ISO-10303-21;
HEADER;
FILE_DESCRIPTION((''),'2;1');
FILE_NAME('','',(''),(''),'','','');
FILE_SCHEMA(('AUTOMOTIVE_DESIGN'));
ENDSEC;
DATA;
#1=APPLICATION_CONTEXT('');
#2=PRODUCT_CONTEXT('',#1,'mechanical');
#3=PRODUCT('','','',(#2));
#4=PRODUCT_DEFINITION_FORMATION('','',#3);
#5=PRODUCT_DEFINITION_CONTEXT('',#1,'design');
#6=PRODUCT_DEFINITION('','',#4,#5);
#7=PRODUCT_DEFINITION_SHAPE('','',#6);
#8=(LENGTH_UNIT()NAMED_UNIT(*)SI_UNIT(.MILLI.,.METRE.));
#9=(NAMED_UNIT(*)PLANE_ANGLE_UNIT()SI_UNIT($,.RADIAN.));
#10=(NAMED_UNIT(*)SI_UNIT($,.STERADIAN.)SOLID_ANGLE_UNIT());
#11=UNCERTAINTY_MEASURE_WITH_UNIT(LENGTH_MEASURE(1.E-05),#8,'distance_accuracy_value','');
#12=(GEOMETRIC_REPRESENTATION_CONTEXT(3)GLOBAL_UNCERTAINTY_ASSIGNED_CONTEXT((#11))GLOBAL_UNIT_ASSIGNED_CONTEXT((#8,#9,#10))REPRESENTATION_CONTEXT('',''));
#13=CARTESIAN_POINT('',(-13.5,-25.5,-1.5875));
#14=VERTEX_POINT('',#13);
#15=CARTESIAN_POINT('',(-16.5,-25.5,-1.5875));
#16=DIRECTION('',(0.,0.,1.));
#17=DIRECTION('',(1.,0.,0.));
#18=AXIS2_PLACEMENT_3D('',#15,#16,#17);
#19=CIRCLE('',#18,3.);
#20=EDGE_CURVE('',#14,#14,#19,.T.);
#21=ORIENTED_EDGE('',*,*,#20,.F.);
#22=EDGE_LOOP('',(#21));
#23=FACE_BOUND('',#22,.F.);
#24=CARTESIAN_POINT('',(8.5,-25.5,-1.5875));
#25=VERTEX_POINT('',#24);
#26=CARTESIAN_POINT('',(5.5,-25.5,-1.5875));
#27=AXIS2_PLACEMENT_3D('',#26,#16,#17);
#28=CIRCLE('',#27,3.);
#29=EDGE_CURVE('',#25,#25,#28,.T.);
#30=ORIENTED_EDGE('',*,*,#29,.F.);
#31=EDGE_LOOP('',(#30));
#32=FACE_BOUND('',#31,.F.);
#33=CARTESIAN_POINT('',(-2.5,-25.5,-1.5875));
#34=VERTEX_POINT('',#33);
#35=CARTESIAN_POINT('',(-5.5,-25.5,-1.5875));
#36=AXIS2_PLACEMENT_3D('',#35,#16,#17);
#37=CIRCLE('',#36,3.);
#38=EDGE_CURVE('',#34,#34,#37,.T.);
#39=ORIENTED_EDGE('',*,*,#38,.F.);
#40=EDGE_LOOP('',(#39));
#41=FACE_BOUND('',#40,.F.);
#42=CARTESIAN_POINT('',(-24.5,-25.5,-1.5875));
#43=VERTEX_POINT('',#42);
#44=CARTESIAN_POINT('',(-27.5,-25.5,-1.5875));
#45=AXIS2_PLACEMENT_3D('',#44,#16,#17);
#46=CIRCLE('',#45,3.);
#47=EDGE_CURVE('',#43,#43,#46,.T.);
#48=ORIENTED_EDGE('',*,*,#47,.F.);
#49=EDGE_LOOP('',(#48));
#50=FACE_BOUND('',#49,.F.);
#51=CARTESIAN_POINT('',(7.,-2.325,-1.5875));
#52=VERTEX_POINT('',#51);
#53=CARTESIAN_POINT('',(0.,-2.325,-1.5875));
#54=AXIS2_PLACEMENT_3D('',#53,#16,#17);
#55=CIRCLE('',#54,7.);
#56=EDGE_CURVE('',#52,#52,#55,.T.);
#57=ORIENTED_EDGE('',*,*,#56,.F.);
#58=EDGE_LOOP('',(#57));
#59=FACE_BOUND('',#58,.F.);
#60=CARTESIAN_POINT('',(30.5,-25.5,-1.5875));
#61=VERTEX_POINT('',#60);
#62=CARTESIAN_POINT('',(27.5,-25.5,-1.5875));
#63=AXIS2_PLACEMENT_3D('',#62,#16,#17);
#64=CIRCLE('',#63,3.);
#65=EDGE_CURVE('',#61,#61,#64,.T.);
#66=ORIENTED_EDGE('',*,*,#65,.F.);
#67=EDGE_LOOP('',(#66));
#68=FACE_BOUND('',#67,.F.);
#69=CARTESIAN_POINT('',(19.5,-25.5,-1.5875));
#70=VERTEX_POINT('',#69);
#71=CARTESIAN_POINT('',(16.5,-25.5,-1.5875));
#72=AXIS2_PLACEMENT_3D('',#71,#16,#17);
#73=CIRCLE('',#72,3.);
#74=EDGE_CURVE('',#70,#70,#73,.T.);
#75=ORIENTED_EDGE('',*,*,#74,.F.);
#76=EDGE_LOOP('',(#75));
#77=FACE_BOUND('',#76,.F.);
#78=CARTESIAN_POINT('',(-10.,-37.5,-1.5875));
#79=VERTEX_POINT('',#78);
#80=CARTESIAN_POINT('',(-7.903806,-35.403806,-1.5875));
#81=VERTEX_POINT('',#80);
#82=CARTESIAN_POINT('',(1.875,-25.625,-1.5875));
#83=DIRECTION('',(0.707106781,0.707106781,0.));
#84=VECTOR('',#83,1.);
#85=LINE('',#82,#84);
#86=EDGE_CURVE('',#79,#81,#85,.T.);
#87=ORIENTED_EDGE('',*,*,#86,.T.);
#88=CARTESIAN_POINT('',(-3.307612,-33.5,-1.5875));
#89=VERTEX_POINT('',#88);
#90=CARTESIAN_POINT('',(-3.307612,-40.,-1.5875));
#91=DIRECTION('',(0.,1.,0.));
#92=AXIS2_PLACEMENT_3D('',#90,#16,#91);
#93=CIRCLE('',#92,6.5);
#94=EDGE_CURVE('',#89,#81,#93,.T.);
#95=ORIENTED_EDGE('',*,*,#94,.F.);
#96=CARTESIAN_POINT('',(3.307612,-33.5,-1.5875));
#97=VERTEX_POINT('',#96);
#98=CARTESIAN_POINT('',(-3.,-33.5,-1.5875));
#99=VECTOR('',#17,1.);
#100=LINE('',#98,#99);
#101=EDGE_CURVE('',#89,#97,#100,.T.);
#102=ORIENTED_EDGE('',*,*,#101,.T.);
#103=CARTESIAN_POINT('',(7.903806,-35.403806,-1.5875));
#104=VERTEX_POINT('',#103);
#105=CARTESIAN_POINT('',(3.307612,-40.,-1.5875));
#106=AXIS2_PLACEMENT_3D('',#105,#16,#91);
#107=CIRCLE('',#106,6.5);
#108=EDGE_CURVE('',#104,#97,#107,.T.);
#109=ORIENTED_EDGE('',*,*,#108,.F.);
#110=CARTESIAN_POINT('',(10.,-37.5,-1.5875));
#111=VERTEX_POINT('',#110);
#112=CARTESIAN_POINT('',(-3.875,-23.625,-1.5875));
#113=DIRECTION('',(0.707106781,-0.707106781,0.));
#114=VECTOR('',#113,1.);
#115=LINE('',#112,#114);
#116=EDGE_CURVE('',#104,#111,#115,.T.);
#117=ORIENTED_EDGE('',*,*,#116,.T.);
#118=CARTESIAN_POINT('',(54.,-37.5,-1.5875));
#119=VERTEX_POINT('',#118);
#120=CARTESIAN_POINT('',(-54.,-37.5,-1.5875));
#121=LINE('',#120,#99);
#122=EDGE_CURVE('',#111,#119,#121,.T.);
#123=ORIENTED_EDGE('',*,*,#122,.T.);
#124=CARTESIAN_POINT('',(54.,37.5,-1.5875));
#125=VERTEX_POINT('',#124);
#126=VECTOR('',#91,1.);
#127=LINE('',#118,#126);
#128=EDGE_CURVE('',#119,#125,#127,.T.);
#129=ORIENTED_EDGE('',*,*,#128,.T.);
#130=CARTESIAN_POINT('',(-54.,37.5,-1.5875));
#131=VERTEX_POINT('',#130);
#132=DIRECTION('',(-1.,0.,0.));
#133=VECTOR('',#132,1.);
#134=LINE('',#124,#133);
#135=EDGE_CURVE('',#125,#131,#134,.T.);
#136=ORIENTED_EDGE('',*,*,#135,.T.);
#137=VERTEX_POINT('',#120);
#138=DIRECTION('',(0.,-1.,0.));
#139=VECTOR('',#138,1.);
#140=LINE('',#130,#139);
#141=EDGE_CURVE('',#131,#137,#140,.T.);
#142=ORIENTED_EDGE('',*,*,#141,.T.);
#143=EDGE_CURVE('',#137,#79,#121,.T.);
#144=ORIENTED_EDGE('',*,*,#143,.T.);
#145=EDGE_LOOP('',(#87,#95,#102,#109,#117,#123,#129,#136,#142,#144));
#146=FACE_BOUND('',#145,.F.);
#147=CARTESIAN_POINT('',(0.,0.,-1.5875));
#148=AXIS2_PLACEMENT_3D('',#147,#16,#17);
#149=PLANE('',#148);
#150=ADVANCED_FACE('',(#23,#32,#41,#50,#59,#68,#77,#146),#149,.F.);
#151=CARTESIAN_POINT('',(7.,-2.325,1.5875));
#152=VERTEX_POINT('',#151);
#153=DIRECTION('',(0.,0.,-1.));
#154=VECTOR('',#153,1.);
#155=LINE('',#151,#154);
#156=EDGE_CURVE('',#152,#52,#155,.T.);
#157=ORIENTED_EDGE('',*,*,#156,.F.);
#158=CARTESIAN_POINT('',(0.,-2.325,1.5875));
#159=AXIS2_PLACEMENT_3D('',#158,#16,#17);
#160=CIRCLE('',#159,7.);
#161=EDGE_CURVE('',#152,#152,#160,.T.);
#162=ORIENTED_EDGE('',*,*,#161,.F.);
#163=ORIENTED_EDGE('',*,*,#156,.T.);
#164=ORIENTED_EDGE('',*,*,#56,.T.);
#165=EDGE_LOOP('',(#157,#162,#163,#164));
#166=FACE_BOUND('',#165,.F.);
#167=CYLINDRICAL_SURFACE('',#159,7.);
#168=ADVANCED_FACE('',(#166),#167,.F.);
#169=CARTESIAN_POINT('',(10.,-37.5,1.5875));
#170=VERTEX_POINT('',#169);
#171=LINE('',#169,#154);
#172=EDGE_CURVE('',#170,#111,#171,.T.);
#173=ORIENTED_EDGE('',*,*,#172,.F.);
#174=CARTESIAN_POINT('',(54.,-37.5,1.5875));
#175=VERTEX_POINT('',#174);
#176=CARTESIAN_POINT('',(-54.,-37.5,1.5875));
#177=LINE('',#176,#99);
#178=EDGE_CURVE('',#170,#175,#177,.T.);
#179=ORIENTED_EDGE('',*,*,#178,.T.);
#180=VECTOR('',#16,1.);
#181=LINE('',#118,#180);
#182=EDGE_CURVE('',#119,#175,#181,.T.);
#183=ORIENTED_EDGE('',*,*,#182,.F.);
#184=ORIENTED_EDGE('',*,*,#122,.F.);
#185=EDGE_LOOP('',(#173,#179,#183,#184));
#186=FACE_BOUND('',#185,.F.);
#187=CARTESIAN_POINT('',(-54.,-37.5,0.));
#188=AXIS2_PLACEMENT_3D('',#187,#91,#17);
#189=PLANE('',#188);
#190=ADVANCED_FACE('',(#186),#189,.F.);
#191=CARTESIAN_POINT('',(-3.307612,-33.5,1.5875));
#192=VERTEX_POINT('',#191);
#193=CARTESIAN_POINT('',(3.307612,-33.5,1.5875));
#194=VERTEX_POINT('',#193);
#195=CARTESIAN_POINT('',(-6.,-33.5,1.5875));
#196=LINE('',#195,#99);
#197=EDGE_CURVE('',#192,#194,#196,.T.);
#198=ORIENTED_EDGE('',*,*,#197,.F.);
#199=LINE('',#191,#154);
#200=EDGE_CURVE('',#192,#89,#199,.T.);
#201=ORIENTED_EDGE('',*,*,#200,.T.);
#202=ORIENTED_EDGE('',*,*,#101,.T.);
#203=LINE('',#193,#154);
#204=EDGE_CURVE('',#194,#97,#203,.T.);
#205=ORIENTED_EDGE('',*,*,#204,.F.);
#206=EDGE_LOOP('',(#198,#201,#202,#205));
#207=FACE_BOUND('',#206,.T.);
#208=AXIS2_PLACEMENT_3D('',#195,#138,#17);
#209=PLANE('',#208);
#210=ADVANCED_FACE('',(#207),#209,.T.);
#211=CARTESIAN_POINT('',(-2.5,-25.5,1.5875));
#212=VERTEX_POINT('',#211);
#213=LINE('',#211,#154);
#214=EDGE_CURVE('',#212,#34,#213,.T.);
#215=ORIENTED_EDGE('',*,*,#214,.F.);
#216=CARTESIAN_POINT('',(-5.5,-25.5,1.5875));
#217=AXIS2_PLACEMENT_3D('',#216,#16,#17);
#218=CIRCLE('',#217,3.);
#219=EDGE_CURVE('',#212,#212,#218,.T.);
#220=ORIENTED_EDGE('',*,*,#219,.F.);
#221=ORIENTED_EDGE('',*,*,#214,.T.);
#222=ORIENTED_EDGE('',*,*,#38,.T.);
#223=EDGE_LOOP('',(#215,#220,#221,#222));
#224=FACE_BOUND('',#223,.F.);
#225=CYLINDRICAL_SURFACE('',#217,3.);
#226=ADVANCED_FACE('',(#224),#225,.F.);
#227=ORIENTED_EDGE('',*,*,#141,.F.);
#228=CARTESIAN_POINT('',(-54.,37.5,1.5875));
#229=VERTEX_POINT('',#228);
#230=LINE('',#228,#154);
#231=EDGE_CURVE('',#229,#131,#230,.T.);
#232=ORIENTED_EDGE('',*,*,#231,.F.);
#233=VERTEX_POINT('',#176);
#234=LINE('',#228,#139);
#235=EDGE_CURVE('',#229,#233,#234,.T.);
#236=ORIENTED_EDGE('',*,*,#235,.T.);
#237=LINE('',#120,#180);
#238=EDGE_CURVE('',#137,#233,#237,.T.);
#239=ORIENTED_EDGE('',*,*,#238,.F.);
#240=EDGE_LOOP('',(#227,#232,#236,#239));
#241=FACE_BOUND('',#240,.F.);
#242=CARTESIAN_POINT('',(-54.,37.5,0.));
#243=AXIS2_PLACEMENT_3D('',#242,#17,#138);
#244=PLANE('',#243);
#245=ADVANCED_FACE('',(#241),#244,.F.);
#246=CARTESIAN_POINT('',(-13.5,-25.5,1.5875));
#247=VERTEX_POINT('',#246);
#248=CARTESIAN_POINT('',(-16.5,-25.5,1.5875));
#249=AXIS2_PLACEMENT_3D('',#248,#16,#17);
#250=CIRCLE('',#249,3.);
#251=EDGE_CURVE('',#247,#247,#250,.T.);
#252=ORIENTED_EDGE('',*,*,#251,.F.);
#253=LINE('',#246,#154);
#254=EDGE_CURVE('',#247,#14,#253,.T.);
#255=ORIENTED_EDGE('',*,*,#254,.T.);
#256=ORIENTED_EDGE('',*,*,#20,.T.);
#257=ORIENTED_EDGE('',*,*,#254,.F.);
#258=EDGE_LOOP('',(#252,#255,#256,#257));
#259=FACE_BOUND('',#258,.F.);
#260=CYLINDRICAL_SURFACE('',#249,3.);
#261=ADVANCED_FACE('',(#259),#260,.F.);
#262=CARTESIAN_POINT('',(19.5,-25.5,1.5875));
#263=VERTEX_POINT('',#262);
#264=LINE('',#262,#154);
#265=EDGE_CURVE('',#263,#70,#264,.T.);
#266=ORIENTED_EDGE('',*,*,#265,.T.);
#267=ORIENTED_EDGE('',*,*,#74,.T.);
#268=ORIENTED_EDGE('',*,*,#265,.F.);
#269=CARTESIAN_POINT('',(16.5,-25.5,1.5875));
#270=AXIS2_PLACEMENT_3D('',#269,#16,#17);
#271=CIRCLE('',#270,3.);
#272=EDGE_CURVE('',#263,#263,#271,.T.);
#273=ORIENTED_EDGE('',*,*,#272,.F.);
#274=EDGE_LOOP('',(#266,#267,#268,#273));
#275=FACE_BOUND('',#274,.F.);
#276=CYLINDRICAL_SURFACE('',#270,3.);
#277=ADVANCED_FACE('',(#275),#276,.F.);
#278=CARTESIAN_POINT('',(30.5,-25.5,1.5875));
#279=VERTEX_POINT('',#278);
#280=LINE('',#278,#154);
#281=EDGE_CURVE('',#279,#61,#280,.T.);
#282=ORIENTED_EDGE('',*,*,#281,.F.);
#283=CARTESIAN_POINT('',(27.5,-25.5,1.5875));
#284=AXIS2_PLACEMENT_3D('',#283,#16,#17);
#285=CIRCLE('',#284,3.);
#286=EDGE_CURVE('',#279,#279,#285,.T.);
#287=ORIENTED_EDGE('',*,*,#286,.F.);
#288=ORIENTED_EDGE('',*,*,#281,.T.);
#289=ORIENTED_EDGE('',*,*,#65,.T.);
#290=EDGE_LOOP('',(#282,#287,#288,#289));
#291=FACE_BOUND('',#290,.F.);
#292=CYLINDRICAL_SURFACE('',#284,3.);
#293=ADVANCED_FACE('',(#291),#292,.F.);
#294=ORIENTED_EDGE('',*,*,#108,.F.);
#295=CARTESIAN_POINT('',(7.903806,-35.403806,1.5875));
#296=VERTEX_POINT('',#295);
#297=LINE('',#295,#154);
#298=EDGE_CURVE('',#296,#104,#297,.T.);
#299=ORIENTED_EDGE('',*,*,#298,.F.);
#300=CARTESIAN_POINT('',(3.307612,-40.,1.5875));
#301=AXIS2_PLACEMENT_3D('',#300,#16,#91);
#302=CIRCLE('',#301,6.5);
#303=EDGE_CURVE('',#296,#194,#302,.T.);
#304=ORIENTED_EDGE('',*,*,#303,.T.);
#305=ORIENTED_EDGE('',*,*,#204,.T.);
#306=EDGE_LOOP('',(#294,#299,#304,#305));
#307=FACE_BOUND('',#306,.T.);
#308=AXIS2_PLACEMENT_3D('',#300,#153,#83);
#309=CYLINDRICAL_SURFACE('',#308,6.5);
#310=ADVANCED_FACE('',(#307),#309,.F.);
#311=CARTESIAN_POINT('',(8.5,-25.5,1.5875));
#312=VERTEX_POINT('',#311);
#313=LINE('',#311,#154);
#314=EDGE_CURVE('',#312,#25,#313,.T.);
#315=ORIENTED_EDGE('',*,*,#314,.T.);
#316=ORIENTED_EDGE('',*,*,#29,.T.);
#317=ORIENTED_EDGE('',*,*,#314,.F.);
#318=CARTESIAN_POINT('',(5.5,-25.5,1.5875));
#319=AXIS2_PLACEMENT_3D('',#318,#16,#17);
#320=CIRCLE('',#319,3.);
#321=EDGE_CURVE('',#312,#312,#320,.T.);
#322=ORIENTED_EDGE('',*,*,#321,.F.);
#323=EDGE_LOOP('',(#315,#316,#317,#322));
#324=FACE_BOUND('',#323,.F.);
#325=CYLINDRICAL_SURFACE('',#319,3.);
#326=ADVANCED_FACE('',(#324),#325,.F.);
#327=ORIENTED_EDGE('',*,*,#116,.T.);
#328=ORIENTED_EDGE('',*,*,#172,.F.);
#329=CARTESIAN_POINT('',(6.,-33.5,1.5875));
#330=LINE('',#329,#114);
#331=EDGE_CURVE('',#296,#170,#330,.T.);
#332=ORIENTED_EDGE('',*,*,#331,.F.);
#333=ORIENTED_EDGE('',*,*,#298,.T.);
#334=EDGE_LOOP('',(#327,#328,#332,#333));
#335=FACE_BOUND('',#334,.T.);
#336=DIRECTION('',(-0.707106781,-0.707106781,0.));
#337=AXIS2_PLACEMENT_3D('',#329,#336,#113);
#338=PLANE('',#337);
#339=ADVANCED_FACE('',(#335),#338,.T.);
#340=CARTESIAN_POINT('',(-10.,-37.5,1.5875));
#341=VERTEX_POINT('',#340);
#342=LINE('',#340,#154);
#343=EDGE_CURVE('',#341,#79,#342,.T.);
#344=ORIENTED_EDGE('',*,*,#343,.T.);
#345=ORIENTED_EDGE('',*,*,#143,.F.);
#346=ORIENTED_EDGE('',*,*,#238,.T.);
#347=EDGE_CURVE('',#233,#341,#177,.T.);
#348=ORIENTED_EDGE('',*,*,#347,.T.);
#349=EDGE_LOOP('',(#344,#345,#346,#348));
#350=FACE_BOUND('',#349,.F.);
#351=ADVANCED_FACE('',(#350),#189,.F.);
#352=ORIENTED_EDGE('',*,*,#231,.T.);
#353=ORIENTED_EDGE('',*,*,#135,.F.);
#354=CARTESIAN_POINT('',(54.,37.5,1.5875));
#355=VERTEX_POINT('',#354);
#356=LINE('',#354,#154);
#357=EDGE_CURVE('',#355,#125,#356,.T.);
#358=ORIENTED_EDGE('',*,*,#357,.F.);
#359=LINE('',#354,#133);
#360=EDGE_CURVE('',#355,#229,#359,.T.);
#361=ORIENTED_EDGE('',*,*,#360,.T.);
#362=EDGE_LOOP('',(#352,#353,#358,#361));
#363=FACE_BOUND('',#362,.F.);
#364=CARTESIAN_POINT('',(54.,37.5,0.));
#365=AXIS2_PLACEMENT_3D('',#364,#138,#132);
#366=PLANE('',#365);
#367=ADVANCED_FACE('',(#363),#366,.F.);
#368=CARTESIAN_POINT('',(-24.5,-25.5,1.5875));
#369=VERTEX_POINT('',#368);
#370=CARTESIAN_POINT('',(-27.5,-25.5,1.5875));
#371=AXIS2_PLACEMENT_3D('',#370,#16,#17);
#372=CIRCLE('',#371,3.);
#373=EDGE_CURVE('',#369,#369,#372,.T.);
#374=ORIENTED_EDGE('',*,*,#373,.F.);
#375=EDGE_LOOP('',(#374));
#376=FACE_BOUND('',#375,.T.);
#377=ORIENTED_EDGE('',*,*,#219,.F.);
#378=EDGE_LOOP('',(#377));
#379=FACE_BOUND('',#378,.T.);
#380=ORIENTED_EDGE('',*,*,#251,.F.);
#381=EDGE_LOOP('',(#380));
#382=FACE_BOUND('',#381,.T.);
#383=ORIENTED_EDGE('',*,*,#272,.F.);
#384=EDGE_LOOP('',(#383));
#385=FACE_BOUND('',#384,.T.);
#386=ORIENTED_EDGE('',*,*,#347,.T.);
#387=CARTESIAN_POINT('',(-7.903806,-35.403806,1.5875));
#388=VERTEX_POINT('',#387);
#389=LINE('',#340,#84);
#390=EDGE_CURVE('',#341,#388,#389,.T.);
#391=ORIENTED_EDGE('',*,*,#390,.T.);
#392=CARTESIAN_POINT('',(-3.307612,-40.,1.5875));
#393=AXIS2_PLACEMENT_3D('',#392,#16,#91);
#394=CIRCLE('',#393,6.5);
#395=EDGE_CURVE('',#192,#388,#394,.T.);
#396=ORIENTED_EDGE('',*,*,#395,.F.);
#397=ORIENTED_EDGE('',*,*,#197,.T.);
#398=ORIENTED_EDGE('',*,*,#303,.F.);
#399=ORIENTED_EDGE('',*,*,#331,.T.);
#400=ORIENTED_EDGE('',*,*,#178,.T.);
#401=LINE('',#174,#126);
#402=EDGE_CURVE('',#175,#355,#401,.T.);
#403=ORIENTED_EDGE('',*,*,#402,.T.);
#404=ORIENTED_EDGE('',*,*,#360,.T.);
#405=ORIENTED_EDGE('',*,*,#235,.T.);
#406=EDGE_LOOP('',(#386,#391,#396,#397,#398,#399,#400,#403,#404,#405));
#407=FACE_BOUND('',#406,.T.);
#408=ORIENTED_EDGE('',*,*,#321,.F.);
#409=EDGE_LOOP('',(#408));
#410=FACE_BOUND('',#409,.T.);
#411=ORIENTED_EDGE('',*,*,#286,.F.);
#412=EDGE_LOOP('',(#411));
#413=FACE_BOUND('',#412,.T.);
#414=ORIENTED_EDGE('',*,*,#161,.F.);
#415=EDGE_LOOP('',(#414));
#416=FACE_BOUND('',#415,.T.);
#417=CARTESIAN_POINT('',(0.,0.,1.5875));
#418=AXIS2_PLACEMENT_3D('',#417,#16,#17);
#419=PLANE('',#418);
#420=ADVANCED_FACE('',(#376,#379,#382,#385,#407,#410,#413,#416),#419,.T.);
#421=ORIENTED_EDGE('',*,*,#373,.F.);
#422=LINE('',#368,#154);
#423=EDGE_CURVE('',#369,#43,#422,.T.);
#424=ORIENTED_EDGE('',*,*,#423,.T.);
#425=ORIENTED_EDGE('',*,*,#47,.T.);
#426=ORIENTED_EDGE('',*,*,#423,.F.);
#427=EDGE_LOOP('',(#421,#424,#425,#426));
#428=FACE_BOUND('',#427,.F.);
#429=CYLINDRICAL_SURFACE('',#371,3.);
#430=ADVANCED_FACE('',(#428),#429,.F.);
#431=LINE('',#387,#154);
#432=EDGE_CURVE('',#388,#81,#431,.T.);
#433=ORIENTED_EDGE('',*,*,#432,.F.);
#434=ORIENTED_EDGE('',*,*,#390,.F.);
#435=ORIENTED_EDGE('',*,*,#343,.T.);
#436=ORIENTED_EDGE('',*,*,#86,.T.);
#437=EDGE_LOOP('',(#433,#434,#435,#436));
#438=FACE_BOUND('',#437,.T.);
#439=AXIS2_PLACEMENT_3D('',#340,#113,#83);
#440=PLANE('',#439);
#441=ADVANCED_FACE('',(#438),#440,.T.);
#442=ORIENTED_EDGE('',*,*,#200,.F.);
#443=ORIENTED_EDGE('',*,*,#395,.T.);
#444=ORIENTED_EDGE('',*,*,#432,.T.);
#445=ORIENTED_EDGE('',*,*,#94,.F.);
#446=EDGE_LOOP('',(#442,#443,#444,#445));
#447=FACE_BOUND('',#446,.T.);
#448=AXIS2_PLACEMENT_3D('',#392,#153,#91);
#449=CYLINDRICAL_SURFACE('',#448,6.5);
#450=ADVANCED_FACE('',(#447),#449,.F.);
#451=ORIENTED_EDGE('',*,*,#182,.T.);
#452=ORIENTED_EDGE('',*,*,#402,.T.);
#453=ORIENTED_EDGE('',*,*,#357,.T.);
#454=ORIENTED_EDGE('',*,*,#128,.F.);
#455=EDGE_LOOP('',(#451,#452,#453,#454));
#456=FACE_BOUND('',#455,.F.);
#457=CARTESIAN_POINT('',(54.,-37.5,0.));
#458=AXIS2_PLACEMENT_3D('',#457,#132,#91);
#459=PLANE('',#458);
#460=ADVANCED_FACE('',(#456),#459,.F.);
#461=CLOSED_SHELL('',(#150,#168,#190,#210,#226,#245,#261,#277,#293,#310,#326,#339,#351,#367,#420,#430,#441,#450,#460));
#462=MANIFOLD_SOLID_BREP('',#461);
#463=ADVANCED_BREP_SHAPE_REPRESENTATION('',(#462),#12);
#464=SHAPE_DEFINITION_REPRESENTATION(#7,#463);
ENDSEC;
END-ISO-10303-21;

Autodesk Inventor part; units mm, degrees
ref_plane "YZ Plane" through (0, 0, 0) normal (1, 0, 0) x (0, 1, 0)
ref_plane "XZ Plane" through (0, 0, 0) normal (0, 1, 0) x (-1, 0, 0)
ref_plane "XY Plane" through (0, 0, 0) normal (0, 0, 1) x (1, 0, 0)
sketch "Sketch1" plane through (0, 0, 0) normal (0, 0, 1) x (1, 0, 0)
  line L0 (-54, -37.5) -> (54, -37.5)
  line L1 (54, -37.5) -> (54, 37.5)
  line L2 (54, 37.5) -> (-54, 37.5)
  line L3 (-54, 37.5) -> (-54, -37.5)
  line L4 (-54, -37.5) -> (54, 37.5) construction
  line L5 (54, -37.5) -> (-54, 37.5) construction
  point P0 (0, 0)
  dimension "d0" = 108
  dimension "d1" = 75
extrude "Extrusion1" add sketch "Sketch1" along normal mid plane 3.175
sketch "Sketch3" plane through (0, 0, 1.5875) normal (0, 0, 1) x (1, 0, 0)
  line L0 (-54, -37.5) -> (54, -37.5) construction
  line L1 (-10, -37.5) -> (-6, -33.5)
  line L2 (-6, -33.5) -> (6, -33.5)
  line L3 (6, -33.5) -> (10, -37.5)
  line L4 (-10, -37.5) -> (10, -37.5)
  point P0 (0, 0)
  point P1 (0, -33.5)
  point P2 (0, -37.5)
  dimension "d16" = 12
  dimension "d17" = 4
  dimension "d18" = 45
extrude "Extrusion3" cut sketch "Sketch3" against normal through all
fillet "Fillet1" radius 6.5 2 edges at (-6, -33.5, 0) (6, -33.5, 0)
sketch "Sketch4" plane through (0, 0, 1.5875) normal (0, 0, 1) x (1, 0, 0)
  circle A0 centre (0, -2.325) radius 7
  line L0 (10, -37.5) -> (54, -37.5) construction
  point P0 (0, 0)
  dimension "d22" = 14
  dimension "d23" = 35.175
extrude "Extrusion4" cut sketch "Sketch4" against normal through all
sketch "Sketch5" plane through (0, 0, 1.5875) normal (0, 0, 1) x (1, 0, 0)
  circle A0 centre (-27.5, -25.5) radius 3
  line L0 (-54, -37.5) -> (-10, -37.5) construction
  circle A1 centre (-16.5, -25.5) radius 3
  circle A2 centre (-5.5, -25.5) radius 3
  circle A3 centre (5.5, -25.5) radius 3
  circle A4 centre (16.5, -25.5) radius 3
  circle A5 centre (27.5, -25.5) radius 3
  line L1 (-5.5, -25.5) -> (5.5, -25.5) construction
  point P0 (0, 0)
  point P1 (0, -25.5)
  dimension "d26" = 6
  dimension "d27" = 12
  dimension "d30" = 11
extrude "Extrusion5" cut sketch "Sketch5" against normal blind 10
properties part number "ArmSupportPlate"
